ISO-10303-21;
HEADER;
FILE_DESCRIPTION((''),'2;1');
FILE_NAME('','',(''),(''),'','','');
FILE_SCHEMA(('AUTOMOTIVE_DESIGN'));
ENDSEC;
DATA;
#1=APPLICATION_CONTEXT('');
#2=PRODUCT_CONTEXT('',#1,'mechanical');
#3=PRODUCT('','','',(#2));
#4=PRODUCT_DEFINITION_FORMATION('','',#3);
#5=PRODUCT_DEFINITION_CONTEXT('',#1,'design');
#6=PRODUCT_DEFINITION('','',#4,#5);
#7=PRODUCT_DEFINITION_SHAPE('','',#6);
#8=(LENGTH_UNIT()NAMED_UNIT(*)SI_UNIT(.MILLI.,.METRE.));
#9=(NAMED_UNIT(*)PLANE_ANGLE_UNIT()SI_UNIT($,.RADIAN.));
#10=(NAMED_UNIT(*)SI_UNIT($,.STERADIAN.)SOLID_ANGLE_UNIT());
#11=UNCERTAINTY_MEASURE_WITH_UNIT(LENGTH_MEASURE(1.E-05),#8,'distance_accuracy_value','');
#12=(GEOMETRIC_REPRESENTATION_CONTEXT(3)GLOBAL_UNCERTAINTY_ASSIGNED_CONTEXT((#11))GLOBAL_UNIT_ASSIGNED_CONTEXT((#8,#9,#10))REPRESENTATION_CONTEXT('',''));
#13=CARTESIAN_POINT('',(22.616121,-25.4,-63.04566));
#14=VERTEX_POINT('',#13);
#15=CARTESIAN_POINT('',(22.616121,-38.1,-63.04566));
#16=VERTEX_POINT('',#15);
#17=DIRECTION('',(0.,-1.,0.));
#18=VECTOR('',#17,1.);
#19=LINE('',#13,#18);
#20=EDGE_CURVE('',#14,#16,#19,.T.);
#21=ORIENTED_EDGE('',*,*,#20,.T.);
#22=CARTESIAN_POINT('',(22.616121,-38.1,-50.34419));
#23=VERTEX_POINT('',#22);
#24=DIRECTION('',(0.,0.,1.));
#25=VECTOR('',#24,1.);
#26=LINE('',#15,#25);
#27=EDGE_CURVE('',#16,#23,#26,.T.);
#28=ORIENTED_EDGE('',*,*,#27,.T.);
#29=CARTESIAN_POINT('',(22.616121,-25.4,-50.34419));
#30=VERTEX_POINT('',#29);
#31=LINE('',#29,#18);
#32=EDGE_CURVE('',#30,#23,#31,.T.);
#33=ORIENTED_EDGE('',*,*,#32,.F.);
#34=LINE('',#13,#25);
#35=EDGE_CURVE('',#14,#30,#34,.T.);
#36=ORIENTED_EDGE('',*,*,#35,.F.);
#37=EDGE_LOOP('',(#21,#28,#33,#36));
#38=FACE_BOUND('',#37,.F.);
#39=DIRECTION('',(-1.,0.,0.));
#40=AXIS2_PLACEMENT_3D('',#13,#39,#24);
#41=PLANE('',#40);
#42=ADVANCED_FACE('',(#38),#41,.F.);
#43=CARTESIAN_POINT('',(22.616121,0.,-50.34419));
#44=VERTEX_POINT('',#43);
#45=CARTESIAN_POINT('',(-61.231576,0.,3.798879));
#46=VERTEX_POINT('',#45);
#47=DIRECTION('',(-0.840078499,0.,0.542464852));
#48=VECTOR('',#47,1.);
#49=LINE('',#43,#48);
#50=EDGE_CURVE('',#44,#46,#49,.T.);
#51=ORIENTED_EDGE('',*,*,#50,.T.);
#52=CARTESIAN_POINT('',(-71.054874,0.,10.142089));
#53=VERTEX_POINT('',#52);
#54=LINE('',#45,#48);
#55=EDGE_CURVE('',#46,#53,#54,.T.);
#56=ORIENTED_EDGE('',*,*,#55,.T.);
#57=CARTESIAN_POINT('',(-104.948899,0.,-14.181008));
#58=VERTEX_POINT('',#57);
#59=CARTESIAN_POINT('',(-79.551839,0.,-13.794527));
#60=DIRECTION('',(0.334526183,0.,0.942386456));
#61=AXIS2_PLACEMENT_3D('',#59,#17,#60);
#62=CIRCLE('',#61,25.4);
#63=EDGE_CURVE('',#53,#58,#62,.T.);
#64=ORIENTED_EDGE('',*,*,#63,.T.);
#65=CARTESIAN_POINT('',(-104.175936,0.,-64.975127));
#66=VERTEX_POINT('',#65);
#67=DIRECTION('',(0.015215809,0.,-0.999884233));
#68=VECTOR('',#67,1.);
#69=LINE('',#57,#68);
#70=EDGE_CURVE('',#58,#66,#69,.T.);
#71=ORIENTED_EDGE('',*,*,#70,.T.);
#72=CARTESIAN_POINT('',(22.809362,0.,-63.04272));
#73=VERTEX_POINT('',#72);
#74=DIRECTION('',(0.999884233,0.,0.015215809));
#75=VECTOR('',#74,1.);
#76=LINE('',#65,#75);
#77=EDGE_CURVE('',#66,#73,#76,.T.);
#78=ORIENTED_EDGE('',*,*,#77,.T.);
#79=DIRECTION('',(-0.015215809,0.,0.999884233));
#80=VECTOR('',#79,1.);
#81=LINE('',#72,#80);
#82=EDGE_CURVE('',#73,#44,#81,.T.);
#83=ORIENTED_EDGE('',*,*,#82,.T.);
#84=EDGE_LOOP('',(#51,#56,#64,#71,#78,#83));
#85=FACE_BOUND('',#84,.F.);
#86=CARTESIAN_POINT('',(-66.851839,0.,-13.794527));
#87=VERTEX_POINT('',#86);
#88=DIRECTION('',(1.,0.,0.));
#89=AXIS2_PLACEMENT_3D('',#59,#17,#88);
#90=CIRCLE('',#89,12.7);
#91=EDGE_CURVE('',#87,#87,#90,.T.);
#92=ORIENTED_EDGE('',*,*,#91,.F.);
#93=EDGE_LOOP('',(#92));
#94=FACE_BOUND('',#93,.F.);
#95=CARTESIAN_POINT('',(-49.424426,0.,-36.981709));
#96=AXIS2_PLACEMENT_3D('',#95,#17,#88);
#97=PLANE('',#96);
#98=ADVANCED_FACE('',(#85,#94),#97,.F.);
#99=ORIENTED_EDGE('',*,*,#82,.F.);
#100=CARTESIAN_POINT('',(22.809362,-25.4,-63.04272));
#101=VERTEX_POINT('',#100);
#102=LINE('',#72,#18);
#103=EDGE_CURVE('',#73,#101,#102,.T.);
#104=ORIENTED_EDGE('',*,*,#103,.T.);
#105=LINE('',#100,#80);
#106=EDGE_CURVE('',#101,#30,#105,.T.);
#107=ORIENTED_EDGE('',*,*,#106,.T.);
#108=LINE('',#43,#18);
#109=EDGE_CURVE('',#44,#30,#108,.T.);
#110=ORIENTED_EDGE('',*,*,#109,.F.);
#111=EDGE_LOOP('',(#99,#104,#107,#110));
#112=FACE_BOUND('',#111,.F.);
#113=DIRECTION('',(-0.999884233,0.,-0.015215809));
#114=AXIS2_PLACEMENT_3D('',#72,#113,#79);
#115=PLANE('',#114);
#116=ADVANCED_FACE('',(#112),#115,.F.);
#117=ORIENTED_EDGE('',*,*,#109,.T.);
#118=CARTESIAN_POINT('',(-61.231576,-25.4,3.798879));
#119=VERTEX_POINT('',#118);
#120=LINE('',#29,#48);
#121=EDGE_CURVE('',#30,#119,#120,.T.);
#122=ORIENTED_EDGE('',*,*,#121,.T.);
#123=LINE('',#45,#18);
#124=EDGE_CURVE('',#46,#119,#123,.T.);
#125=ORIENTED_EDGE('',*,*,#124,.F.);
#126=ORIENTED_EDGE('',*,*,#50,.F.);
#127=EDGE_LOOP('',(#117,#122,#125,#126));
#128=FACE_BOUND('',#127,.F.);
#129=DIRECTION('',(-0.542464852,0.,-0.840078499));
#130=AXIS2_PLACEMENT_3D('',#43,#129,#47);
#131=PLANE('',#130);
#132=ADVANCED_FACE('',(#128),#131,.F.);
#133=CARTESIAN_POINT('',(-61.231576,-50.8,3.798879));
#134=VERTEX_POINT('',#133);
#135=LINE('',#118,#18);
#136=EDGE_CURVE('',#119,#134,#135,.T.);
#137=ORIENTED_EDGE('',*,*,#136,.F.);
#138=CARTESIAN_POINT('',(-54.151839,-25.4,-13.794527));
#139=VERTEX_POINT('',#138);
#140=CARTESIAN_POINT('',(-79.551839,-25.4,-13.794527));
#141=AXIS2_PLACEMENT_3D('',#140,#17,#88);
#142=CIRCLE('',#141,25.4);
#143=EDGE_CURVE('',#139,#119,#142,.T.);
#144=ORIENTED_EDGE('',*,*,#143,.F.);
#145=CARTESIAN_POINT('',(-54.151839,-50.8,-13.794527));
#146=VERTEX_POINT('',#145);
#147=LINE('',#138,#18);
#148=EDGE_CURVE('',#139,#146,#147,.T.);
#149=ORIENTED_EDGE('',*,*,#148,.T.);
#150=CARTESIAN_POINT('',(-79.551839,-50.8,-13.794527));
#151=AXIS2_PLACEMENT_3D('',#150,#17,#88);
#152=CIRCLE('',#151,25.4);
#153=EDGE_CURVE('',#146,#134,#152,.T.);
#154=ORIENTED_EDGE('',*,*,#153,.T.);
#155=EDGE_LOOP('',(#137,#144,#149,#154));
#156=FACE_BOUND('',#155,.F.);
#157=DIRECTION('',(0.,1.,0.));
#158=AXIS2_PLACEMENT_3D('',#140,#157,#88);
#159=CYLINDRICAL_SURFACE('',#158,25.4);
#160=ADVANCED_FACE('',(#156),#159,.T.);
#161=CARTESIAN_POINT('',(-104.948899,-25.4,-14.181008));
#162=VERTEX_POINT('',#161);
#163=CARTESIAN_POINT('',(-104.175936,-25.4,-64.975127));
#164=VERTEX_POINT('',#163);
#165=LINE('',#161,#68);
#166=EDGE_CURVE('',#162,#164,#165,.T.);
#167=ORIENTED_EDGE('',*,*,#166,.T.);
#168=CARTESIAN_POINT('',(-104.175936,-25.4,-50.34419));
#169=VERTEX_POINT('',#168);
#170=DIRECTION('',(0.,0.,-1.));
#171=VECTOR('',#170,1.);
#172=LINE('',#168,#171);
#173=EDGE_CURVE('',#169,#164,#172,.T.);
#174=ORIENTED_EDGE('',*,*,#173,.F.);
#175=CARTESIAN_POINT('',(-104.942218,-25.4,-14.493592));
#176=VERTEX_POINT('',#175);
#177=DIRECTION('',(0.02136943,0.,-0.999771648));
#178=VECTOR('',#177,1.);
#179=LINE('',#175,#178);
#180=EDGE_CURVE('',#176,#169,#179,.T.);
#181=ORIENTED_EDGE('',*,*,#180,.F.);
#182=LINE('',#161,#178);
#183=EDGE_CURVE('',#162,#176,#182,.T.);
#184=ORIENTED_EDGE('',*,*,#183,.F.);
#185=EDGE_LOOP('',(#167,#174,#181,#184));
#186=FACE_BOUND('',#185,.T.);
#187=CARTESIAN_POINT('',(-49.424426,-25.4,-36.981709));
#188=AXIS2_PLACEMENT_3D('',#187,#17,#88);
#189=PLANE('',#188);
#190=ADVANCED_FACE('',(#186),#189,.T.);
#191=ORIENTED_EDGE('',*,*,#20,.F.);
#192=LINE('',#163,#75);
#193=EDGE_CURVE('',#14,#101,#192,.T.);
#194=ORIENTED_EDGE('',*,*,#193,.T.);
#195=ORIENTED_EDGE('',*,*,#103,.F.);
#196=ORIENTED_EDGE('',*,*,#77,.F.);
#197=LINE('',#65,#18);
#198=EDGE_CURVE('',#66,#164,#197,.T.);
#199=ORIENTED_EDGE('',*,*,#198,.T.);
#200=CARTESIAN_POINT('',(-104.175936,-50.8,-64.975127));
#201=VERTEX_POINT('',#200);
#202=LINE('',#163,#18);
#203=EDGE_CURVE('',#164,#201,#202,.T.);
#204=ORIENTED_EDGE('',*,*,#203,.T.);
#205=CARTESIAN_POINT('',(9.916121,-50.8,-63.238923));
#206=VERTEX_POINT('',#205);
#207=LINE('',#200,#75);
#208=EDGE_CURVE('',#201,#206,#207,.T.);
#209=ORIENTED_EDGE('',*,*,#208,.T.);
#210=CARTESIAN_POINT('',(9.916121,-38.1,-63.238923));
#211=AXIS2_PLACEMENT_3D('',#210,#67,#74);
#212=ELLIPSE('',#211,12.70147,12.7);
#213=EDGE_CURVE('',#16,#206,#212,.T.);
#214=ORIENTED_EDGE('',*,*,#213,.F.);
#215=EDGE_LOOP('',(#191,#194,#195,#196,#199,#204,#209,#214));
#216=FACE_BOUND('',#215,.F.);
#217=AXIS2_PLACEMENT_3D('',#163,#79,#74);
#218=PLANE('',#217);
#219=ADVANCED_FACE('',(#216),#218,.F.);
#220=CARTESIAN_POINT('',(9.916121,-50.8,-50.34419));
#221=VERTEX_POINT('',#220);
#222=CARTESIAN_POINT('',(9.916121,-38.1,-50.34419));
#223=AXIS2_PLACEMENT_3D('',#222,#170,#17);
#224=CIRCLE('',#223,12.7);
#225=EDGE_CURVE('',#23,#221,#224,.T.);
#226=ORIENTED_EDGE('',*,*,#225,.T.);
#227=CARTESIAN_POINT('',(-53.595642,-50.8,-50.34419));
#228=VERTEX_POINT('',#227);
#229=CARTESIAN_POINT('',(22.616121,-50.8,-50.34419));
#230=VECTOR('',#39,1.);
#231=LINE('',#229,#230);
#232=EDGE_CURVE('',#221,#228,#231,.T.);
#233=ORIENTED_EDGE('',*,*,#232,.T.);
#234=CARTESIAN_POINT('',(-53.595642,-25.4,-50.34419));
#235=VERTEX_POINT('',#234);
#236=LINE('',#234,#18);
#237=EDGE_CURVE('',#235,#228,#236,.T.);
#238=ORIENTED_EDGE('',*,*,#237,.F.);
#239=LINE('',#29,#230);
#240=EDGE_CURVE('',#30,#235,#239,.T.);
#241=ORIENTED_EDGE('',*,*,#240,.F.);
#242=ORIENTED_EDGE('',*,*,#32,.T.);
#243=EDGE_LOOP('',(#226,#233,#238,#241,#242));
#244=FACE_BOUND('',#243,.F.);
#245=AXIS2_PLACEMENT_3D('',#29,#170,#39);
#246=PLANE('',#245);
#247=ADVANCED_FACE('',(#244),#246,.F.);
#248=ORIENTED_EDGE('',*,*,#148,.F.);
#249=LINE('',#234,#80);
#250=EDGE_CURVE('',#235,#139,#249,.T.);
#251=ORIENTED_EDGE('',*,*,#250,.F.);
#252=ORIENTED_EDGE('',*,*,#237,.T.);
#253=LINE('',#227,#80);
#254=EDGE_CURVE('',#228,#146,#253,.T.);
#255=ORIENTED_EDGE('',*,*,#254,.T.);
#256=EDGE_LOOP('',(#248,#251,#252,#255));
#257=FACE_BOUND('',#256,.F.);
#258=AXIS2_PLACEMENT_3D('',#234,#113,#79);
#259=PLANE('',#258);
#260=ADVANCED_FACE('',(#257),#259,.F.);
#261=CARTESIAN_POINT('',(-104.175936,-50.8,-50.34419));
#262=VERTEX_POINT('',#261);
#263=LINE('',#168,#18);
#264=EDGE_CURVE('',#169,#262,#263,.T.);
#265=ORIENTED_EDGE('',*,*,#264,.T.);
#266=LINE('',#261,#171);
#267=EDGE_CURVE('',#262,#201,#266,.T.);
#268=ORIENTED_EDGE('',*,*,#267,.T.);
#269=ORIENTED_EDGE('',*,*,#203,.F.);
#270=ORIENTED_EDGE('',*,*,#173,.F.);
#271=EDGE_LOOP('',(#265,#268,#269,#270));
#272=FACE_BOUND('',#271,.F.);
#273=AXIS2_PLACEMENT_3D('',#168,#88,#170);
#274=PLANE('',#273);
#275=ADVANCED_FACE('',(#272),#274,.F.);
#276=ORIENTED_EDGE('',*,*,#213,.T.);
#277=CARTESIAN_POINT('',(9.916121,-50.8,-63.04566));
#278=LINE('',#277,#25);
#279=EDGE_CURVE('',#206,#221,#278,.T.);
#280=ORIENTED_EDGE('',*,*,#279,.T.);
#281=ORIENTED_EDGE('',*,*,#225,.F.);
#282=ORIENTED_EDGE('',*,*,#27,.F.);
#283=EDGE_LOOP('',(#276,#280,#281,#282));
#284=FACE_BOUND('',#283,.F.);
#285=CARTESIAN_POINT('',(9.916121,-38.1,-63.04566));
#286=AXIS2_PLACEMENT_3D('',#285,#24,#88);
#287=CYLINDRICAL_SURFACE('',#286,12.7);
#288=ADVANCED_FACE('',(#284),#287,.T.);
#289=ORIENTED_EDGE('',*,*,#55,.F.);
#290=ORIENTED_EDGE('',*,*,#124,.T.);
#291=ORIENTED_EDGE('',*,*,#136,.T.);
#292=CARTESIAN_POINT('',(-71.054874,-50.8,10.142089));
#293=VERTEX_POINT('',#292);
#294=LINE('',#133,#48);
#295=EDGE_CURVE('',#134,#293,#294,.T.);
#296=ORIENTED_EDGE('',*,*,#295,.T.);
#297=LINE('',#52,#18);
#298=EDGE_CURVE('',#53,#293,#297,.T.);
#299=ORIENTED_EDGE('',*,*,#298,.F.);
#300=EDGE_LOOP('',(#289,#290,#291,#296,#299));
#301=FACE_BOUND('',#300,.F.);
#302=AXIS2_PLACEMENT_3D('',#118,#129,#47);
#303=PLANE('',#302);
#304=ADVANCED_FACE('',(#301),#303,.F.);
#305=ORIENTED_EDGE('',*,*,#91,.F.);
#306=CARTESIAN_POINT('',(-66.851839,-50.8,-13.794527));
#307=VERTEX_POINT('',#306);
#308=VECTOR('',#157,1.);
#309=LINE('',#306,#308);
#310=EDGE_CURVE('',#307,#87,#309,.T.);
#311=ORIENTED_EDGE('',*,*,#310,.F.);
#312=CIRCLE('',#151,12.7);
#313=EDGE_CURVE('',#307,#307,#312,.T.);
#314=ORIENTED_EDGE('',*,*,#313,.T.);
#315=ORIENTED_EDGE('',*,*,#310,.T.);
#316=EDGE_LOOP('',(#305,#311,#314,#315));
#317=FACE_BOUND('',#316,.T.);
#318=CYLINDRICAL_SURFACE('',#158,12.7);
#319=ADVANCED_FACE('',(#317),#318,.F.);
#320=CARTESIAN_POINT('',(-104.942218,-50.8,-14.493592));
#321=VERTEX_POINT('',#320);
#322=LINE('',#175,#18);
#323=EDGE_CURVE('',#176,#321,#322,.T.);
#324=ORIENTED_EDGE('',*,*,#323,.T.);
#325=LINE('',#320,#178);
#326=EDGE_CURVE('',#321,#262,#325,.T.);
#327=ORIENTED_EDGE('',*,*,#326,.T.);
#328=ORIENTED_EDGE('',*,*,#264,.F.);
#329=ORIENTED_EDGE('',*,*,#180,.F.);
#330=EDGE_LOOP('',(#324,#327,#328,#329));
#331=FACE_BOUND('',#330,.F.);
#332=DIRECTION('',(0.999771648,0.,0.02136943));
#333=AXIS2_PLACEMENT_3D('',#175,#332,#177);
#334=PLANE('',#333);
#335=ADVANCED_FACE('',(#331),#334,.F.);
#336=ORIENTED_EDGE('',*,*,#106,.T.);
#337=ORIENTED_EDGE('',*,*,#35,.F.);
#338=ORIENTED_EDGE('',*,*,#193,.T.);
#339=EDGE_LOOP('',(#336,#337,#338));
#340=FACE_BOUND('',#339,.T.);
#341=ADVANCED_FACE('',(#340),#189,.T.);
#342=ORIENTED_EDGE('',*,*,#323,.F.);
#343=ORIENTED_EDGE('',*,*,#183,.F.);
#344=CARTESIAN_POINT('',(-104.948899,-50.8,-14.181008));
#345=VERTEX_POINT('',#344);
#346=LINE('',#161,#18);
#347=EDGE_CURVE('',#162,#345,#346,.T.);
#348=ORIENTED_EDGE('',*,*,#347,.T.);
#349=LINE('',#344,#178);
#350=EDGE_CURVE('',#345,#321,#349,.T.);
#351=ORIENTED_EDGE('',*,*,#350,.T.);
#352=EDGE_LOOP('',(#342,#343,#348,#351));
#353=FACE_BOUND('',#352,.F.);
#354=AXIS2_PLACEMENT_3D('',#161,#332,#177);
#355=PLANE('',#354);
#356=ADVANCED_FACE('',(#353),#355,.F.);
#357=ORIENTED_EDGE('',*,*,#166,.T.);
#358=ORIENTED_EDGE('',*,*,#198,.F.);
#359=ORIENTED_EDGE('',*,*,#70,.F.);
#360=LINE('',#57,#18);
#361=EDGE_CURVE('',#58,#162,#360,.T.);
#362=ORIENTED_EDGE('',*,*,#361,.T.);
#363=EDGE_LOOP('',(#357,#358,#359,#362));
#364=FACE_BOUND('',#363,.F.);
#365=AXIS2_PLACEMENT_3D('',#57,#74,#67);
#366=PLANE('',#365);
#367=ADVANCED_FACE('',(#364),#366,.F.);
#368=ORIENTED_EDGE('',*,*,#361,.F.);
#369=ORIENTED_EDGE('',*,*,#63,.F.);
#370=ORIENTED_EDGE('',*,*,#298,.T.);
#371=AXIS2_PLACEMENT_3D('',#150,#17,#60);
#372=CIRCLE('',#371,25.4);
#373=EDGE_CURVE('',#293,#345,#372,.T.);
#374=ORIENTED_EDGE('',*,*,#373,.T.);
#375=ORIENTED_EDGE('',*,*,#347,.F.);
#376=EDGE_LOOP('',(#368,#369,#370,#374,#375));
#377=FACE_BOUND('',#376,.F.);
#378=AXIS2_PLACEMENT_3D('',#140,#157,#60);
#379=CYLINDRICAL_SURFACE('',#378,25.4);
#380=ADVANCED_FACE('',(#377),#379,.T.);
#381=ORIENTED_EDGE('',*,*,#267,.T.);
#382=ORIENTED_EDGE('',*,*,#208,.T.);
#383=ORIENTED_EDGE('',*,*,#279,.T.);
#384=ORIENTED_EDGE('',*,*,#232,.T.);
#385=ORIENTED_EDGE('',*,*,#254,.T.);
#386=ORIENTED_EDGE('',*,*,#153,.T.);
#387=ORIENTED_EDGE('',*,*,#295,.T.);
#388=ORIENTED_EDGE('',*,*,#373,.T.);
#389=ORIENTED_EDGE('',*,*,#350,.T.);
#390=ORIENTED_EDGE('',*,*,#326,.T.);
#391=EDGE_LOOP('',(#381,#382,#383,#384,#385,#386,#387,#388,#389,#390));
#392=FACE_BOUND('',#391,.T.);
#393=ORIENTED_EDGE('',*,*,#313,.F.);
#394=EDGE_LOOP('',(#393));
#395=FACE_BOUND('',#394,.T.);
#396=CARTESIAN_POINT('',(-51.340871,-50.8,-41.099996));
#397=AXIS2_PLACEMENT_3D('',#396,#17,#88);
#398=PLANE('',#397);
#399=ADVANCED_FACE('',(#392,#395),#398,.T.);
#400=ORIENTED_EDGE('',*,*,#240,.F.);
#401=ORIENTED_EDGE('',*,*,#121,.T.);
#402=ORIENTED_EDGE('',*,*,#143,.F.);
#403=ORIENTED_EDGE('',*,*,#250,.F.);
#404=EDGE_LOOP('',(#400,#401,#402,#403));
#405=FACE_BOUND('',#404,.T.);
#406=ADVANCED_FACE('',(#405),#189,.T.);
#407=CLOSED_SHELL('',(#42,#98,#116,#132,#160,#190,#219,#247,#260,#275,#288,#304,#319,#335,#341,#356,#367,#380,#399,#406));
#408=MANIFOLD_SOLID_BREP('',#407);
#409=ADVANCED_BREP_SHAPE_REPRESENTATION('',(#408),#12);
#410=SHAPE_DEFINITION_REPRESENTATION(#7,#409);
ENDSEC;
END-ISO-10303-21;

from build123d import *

# Parameters (mm, degrees)
F0_R     = 12.7
F1_DEPTH = 25.4
F2_R     = 12.7
F3_DEPTH = 25.4
F4_R     = 12.7


with BuildPart() as f1:
    # F0 (on Front) → F1 (new body)
    with BuildSketch(Plane.XZ):
        with BuildLine():
            Line((22.6161210575, -50.3441899378), (-61.2315756106, 3.798879284))
            Line((-61.2315756106, 3.798879284), (-71.0548742693, 10.14208918))
            ThreePointArc((-71.0548742693, 10.14208918), (-94.3608422008, 6.8416897346), (-104.9488988238, -14.1810083481))
            Line((-104.9488988238, -14.1810083481), (-104.1759357505, -64.9751273787))
            Line((-104.1759357505, -64.9751273787), (22.8093618259, -63.0427196954))
            Line((22.8093618259, -63.0427196954), (22.6161210575, -50.3441899378))
        make_face()
        with Locations((-79.5518393085, -13.7945268115)):
            Circle(F0_R, mode=Mode.SUBTRACT)
    extrude(amount=F1_DEPTH)

    # F2 (on face) → F3 (join)
    with BuildSketch(Plane.XZ.offset(25.4)):
        with BuildLine():
            Line((-61.2315756106, 3.798879284), (-71.0548742693, 10.14208918))
            ThreePointArc((-71.0548742693, 10.14208918), (-94.3608422008, 6.8416897346), (-104.9488988238, -14.1810083481))
            Line((-104.9488988238, -14.1810083481), (-104.9422175693, -14.4935917412))
            Line((-104.9422175693, -14.4935917412), (-104.1759357505, -50.3441899378))
            Line((-104.1759357505, -50.3441899378), (-104.1759357505, -64.9751273787))
            Line((-104.1759357505, -64.9751273787), (22.6161210575, -63.0456603504))
            Line((22.6161210575, -63.0456603504), (22.6161210575, -50.3441899378))
            Line((22.6161210575, -50.3441899378), (-53.5956422432, -50.3441899378))
            Line((-53.5956422432, -50.3441899378), (-54.1518393085, -13.7945268115))
            ThreePointArc((-54.1518393085, -13.7945268115), (-55.9881522251, -4.3122986431), (-61.2315756106, 3.798879284))
        make_face()
        with Locations((-79.5518393085, -13.7945268115)):
            Circle(F2_R, mode=Mode.SUBTRACT)
    extrude(amount=F3_DEPTH)

    # F4
    f4_edges = [f1.edges().sort_by_distance(p)[0] for p in [
        (22.616121, -50.8, -56.694925),
    ]]
    fillet(f4_edges, radius=F4_R)


solid = f1.part
